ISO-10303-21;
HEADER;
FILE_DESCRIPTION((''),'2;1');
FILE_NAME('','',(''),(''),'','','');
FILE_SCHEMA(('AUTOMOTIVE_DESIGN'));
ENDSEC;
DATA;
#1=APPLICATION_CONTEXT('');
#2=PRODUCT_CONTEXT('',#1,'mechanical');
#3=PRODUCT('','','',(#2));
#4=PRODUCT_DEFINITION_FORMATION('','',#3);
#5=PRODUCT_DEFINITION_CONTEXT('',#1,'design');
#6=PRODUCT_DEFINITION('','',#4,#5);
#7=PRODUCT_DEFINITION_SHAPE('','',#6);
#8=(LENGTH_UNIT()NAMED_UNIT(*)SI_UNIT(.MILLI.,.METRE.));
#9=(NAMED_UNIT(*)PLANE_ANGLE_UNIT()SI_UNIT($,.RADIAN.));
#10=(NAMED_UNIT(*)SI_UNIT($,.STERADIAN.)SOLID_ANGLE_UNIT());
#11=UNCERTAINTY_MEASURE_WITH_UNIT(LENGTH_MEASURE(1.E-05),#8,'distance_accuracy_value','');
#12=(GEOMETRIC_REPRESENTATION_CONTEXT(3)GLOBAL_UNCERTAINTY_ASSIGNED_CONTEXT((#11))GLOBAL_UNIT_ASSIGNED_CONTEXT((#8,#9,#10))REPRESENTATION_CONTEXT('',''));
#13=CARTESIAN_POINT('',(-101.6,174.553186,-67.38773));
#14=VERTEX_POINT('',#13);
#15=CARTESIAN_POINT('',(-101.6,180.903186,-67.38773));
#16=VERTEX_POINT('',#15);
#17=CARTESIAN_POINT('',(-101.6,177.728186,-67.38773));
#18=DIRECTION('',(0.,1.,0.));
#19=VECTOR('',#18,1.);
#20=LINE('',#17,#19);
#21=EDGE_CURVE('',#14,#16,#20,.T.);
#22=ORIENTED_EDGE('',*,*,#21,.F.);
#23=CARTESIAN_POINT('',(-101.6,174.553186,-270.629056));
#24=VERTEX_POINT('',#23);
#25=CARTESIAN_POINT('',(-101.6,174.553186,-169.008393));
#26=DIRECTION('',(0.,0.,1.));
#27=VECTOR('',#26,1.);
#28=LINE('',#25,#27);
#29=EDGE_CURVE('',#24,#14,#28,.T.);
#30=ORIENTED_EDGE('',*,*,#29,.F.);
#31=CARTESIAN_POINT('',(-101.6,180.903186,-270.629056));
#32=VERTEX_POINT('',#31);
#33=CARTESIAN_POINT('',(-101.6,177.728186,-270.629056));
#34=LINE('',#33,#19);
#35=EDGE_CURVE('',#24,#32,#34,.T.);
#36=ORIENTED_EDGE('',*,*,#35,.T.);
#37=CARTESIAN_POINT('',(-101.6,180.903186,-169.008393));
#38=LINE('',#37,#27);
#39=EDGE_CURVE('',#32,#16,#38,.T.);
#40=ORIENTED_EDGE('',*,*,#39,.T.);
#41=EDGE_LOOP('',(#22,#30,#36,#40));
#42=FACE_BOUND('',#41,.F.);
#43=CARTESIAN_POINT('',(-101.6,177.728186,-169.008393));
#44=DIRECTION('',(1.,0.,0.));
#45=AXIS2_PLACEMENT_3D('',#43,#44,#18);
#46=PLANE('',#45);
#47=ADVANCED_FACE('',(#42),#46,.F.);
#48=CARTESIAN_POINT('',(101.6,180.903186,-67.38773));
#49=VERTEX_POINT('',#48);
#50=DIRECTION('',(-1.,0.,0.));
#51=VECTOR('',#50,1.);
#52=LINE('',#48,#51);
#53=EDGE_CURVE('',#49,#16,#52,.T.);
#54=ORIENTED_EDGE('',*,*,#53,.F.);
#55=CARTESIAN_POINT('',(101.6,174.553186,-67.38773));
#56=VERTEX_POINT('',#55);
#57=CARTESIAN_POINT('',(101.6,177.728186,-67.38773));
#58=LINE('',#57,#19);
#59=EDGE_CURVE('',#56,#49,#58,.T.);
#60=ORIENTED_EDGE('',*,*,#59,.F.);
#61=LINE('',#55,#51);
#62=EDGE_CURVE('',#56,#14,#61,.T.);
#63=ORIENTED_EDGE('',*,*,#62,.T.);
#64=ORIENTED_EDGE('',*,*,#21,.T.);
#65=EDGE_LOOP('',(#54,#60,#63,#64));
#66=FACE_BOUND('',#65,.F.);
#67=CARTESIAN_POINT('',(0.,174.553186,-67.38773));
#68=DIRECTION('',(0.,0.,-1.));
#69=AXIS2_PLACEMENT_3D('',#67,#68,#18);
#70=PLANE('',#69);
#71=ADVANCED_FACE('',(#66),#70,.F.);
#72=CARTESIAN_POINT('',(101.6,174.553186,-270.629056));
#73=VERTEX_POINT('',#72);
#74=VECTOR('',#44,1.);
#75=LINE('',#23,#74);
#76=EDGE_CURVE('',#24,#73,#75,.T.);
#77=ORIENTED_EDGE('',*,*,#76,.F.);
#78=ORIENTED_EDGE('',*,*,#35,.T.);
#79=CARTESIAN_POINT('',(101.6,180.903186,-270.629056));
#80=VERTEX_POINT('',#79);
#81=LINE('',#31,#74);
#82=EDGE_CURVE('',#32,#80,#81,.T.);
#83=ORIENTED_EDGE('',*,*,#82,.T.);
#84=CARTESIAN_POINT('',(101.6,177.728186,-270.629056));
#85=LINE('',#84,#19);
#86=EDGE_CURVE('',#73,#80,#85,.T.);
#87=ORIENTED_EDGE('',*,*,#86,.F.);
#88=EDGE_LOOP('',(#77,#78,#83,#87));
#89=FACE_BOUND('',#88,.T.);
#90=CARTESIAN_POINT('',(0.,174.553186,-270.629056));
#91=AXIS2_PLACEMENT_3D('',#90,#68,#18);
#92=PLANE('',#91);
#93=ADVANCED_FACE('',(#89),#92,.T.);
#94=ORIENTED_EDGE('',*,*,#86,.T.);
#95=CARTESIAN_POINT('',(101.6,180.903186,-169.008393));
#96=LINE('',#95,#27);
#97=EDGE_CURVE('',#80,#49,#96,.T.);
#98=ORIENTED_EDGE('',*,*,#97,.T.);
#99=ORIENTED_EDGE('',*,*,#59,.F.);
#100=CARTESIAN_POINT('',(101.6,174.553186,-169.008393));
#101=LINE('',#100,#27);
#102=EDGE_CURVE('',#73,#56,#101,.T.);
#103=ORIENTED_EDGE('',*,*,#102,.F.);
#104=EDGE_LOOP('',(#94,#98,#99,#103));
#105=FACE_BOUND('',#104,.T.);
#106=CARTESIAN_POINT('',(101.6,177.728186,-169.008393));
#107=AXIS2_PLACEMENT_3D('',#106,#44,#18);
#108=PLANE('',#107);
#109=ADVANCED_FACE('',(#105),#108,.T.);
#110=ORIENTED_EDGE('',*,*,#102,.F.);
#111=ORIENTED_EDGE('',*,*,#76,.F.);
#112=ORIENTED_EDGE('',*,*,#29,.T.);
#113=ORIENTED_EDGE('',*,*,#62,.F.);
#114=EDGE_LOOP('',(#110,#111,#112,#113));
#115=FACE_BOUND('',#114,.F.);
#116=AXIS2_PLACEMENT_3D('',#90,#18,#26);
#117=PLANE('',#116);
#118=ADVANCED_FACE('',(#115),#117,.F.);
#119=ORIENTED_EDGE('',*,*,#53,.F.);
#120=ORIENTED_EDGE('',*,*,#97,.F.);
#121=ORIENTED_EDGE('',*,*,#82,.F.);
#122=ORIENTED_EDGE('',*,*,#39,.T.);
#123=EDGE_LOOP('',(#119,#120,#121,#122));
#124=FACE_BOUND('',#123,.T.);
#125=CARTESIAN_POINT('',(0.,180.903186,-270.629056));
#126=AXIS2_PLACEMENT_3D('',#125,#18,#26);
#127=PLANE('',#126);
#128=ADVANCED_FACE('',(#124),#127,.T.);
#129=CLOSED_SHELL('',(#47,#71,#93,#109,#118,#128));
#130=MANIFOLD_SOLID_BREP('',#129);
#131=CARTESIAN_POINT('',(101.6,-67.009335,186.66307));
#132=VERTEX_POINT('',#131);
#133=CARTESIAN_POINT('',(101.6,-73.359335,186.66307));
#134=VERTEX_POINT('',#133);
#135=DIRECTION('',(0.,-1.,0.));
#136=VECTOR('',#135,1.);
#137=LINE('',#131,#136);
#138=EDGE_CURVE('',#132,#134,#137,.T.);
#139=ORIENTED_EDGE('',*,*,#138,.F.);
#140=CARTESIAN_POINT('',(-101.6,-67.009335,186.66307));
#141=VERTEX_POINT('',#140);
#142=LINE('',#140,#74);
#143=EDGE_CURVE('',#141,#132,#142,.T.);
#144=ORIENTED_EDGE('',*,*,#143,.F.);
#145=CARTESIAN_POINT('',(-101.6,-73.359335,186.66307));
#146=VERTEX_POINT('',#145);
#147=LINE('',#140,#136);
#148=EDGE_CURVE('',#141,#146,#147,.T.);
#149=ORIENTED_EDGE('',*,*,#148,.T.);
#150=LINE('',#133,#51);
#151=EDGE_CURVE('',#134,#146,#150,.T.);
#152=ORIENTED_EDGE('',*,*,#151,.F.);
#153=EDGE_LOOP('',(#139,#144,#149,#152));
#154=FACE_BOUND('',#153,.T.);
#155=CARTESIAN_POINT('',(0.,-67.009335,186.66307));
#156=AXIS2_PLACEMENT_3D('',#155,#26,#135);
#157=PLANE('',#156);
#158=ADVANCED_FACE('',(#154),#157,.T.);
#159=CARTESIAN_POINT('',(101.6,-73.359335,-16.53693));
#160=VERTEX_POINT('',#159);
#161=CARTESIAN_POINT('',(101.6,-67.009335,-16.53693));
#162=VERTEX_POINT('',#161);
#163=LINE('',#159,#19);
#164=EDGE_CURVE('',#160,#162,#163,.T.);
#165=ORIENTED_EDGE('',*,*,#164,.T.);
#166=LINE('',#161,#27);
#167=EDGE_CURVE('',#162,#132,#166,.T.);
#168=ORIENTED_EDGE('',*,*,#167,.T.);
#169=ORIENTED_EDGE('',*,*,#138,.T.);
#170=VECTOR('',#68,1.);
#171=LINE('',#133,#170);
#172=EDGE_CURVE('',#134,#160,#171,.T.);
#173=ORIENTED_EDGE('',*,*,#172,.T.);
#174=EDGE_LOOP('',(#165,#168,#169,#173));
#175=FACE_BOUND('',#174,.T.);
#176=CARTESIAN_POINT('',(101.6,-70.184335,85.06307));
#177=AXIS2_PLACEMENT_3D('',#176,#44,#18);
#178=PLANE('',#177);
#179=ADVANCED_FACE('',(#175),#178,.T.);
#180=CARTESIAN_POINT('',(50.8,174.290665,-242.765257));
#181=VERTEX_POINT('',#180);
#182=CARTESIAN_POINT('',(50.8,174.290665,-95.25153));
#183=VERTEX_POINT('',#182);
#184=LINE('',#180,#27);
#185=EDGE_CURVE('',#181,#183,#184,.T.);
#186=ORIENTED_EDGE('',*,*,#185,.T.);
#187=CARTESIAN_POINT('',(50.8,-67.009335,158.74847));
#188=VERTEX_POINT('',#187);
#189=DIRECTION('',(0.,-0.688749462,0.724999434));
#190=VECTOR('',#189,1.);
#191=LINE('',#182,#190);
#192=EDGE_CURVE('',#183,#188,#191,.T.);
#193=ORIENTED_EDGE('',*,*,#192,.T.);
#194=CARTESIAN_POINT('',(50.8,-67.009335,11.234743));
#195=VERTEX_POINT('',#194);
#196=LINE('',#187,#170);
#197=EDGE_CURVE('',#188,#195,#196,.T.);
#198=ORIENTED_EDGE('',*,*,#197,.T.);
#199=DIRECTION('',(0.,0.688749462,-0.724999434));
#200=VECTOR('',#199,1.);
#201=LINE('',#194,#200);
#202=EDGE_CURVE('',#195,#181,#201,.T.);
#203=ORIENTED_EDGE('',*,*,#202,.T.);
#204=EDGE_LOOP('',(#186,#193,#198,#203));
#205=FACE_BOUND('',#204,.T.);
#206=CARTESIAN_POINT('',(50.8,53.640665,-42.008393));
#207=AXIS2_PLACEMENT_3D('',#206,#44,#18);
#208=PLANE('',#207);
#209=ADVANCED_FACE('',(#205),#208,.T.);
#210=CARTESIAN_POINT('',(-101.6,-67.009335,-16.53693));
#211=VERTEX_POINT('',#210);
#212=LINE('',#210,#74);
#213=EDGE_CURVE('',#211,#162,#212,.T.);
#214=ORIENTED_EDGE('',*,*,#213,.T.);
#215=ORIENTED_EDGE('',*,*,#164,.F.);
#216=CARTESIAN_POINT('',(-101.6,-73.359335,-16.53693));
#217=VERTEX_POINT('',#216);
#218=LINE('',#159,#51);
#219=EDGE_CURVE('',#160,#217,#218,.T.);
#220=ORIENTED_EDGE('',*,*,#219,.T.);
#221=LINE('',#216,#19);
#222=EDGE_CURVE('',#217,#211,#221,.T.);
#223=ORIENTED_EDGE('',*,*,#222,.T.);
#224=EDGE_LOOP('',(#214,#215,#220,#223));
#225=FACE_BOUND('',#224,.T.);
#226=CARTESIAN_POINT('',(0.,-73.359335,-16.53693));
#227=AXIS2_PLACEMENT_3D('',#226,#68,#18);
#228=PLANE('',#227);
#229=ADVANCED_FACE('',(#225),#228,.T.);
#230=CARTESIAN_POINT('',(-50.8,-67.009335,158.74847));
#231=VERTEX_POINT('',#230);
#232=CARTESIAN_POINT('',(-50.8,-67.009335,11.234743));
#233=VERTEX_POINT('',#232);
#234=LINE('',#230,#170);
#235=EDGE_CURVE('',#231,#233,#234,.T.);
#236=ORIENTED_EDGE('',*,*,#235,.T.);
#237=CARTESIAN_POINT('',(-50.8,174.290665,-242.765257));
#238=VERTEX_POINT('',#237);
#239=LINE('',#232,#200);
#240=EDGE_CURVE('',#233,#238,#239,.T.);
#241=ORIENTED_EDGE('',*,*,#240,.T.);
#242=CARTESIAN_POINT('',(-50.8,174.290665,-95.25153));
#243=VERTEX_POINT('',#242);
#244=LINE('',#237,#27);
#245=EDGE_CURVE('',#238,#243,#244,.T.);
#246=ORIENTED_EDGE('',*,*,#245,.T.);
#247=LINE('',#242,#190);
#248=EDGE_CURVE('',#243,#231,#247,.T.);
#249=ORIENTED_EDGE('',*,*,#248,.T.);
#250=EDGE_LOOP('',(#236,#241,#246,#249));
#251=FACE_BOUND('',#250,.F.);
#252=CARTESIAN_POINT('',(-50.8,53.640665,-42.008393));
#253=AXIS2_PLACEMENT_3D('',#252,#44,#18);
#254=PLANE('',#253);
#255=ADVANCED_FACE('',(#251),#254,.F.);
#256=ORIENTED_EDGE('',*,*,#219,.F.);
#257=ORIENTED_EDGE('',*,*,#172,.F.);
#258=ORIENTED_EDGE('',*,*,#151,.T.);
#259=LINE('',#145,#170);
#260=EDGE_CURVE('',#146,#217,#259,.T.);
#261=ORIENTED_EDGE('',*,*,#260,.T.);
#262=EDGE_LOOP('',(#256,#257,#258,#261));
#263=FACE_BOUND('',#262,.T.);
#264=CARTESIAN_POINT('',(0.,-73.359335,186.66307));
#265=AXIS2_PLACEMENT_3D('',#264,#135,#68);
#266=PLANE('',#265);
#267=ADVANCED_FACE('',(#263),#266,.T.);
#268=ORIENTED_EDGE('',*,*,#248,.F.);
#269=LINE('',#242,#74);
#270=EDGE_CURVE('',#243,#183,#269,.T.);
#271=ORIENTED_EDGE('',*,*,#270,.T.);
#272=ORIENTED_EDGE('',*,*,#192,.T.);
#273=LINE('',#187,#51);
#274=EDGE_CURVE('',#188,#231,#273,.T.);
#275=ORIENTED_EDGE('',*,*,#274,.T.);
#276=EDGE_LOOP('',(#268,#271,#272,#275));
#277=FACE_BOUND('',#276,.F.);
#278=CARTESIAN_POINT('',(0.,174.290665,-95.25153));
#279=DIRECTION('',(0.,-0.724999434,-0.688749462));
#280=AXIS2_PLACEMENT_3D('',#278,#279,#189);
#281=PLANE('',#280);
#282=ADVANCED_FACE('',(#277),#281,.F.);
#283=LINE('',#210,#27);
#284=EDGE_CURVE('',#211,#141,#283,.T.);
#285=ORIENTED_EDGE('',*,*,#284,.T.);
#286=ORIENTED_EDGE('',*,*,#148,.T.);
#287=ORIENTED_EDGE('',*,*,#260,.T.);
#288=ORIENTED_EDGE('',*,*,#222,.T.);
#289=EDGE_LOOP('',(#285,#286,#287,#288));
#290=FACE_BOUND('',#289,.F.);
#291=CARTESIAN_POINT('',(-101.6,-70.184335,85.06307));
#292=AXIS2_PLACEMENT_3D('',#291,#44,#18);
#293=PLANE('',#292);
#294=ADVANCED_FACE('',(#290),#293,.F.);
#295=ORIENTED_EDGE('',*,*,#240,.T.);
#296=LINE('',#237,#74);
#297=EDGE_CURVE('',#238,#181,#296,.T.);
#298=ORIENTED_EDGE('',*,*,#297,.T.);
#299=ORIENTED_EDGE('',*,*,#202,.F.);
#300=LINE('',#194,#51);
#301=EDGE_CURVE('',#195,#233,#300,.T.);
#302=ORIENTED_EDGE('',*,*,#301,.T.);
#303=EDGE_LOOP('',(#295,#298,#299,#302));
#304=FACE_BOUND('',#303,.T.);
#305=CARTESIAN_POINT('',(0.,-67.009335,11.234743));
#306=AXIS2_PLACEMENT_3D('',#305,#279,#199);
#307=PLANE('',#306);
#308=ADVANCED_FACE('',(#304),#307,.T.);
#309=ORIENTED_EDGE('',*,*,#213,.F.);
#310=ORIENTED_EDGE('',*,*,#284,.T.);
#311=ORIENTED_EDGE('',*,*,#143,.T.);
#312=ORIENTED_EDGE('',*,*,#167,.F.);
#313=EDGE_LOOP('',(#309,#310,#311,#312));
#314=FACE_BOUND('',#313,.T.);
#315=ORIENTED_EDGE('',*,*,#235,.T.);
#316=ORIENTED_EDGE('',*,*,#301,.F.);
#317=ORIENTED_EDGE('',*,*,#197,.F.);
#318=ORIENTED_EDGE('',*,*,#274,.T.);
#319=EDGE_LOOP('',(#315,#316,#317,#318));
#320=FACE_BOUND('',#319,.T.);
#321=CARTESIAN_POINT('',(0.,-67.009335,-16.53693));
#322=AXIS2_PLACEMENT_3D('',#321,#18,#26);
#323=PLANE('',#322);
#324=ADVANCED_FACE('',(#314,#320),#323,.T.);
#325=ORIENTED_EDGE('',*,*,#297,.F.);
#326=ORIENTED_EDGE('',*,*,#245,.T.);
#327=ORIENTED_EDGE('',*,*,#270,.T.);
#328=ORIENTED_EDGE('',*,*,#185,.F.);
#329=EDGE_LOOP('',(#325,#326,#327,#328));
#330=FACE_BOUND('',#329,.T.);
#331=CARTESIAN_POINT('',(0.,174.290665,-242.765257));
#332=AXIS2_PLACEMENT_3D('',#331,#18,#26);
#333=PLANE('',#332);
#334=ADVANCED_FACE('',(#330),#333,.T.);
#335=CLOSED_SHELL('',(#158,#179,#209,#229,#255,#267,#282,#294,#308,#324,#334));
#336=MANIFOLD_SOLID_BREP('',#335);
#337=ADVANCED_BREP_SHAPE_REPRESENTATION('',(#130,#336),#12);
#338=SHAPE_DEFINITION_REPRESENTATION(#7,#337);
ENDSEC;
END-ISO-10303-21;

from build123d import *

# Parameters (mm, degrees)
F1_DEPTH      = 101.6
F1_DEPTH_BACK = 101.6
F2_DEPTH      = 50.8
F2_DEPTH_BACK = 50.8
F0_W          = 6.35
F0_H          = 203.241327
F3_DEPTH      = 101.6
F3_DEPTH_BACK = 101.6


with BuildPart() as f1:
    # F0 (on Right) → F1 (new body, two sides)
    with BuildSketch(Plane.YZ) as f1_sk:
        Polygon((-73.359335, -16.53693), (-67.009335, -16.53693), (-67.009335, 11.234743), (-67.009335, 158.74847), (-67.009335, 186.66307), (-73.359335, 186.66307), align=None)
    extrude(amount=F1_DEPTH)
    extrude(f1_sk.sketch, amount=-F1_DEPTH_BACK)

    # F0 (on Right) → F2 (join, two sides)
    with BuildSketch(Plane.YZ) as f2_sk:
        Polygon((-67.009335, 158.74847), (-67.009335, 11.234743), (174.290665, -242.765257), (174.290665, -95.25153), align=None)
    extrude(amount=F2_DEPTH)
    extrude(f2_sk.sketch, amount=-F2_DEPTH_BACK)


with BuildPart() as f3:
    # F0 (on Right) → F3 (new body, two sides)
    with BuildSketch(Plane.YZ) as f3_sk:
        with Locations((177.728186, -169.008393)):
            Rectangle(F0_W, F0_H)
    extrude(amount=F3_DEPTH)
    extrude(f3_sk.sketch, amount=-F3_DEPTH_BACK)


solid = Compound([f1.part, f3.part])
